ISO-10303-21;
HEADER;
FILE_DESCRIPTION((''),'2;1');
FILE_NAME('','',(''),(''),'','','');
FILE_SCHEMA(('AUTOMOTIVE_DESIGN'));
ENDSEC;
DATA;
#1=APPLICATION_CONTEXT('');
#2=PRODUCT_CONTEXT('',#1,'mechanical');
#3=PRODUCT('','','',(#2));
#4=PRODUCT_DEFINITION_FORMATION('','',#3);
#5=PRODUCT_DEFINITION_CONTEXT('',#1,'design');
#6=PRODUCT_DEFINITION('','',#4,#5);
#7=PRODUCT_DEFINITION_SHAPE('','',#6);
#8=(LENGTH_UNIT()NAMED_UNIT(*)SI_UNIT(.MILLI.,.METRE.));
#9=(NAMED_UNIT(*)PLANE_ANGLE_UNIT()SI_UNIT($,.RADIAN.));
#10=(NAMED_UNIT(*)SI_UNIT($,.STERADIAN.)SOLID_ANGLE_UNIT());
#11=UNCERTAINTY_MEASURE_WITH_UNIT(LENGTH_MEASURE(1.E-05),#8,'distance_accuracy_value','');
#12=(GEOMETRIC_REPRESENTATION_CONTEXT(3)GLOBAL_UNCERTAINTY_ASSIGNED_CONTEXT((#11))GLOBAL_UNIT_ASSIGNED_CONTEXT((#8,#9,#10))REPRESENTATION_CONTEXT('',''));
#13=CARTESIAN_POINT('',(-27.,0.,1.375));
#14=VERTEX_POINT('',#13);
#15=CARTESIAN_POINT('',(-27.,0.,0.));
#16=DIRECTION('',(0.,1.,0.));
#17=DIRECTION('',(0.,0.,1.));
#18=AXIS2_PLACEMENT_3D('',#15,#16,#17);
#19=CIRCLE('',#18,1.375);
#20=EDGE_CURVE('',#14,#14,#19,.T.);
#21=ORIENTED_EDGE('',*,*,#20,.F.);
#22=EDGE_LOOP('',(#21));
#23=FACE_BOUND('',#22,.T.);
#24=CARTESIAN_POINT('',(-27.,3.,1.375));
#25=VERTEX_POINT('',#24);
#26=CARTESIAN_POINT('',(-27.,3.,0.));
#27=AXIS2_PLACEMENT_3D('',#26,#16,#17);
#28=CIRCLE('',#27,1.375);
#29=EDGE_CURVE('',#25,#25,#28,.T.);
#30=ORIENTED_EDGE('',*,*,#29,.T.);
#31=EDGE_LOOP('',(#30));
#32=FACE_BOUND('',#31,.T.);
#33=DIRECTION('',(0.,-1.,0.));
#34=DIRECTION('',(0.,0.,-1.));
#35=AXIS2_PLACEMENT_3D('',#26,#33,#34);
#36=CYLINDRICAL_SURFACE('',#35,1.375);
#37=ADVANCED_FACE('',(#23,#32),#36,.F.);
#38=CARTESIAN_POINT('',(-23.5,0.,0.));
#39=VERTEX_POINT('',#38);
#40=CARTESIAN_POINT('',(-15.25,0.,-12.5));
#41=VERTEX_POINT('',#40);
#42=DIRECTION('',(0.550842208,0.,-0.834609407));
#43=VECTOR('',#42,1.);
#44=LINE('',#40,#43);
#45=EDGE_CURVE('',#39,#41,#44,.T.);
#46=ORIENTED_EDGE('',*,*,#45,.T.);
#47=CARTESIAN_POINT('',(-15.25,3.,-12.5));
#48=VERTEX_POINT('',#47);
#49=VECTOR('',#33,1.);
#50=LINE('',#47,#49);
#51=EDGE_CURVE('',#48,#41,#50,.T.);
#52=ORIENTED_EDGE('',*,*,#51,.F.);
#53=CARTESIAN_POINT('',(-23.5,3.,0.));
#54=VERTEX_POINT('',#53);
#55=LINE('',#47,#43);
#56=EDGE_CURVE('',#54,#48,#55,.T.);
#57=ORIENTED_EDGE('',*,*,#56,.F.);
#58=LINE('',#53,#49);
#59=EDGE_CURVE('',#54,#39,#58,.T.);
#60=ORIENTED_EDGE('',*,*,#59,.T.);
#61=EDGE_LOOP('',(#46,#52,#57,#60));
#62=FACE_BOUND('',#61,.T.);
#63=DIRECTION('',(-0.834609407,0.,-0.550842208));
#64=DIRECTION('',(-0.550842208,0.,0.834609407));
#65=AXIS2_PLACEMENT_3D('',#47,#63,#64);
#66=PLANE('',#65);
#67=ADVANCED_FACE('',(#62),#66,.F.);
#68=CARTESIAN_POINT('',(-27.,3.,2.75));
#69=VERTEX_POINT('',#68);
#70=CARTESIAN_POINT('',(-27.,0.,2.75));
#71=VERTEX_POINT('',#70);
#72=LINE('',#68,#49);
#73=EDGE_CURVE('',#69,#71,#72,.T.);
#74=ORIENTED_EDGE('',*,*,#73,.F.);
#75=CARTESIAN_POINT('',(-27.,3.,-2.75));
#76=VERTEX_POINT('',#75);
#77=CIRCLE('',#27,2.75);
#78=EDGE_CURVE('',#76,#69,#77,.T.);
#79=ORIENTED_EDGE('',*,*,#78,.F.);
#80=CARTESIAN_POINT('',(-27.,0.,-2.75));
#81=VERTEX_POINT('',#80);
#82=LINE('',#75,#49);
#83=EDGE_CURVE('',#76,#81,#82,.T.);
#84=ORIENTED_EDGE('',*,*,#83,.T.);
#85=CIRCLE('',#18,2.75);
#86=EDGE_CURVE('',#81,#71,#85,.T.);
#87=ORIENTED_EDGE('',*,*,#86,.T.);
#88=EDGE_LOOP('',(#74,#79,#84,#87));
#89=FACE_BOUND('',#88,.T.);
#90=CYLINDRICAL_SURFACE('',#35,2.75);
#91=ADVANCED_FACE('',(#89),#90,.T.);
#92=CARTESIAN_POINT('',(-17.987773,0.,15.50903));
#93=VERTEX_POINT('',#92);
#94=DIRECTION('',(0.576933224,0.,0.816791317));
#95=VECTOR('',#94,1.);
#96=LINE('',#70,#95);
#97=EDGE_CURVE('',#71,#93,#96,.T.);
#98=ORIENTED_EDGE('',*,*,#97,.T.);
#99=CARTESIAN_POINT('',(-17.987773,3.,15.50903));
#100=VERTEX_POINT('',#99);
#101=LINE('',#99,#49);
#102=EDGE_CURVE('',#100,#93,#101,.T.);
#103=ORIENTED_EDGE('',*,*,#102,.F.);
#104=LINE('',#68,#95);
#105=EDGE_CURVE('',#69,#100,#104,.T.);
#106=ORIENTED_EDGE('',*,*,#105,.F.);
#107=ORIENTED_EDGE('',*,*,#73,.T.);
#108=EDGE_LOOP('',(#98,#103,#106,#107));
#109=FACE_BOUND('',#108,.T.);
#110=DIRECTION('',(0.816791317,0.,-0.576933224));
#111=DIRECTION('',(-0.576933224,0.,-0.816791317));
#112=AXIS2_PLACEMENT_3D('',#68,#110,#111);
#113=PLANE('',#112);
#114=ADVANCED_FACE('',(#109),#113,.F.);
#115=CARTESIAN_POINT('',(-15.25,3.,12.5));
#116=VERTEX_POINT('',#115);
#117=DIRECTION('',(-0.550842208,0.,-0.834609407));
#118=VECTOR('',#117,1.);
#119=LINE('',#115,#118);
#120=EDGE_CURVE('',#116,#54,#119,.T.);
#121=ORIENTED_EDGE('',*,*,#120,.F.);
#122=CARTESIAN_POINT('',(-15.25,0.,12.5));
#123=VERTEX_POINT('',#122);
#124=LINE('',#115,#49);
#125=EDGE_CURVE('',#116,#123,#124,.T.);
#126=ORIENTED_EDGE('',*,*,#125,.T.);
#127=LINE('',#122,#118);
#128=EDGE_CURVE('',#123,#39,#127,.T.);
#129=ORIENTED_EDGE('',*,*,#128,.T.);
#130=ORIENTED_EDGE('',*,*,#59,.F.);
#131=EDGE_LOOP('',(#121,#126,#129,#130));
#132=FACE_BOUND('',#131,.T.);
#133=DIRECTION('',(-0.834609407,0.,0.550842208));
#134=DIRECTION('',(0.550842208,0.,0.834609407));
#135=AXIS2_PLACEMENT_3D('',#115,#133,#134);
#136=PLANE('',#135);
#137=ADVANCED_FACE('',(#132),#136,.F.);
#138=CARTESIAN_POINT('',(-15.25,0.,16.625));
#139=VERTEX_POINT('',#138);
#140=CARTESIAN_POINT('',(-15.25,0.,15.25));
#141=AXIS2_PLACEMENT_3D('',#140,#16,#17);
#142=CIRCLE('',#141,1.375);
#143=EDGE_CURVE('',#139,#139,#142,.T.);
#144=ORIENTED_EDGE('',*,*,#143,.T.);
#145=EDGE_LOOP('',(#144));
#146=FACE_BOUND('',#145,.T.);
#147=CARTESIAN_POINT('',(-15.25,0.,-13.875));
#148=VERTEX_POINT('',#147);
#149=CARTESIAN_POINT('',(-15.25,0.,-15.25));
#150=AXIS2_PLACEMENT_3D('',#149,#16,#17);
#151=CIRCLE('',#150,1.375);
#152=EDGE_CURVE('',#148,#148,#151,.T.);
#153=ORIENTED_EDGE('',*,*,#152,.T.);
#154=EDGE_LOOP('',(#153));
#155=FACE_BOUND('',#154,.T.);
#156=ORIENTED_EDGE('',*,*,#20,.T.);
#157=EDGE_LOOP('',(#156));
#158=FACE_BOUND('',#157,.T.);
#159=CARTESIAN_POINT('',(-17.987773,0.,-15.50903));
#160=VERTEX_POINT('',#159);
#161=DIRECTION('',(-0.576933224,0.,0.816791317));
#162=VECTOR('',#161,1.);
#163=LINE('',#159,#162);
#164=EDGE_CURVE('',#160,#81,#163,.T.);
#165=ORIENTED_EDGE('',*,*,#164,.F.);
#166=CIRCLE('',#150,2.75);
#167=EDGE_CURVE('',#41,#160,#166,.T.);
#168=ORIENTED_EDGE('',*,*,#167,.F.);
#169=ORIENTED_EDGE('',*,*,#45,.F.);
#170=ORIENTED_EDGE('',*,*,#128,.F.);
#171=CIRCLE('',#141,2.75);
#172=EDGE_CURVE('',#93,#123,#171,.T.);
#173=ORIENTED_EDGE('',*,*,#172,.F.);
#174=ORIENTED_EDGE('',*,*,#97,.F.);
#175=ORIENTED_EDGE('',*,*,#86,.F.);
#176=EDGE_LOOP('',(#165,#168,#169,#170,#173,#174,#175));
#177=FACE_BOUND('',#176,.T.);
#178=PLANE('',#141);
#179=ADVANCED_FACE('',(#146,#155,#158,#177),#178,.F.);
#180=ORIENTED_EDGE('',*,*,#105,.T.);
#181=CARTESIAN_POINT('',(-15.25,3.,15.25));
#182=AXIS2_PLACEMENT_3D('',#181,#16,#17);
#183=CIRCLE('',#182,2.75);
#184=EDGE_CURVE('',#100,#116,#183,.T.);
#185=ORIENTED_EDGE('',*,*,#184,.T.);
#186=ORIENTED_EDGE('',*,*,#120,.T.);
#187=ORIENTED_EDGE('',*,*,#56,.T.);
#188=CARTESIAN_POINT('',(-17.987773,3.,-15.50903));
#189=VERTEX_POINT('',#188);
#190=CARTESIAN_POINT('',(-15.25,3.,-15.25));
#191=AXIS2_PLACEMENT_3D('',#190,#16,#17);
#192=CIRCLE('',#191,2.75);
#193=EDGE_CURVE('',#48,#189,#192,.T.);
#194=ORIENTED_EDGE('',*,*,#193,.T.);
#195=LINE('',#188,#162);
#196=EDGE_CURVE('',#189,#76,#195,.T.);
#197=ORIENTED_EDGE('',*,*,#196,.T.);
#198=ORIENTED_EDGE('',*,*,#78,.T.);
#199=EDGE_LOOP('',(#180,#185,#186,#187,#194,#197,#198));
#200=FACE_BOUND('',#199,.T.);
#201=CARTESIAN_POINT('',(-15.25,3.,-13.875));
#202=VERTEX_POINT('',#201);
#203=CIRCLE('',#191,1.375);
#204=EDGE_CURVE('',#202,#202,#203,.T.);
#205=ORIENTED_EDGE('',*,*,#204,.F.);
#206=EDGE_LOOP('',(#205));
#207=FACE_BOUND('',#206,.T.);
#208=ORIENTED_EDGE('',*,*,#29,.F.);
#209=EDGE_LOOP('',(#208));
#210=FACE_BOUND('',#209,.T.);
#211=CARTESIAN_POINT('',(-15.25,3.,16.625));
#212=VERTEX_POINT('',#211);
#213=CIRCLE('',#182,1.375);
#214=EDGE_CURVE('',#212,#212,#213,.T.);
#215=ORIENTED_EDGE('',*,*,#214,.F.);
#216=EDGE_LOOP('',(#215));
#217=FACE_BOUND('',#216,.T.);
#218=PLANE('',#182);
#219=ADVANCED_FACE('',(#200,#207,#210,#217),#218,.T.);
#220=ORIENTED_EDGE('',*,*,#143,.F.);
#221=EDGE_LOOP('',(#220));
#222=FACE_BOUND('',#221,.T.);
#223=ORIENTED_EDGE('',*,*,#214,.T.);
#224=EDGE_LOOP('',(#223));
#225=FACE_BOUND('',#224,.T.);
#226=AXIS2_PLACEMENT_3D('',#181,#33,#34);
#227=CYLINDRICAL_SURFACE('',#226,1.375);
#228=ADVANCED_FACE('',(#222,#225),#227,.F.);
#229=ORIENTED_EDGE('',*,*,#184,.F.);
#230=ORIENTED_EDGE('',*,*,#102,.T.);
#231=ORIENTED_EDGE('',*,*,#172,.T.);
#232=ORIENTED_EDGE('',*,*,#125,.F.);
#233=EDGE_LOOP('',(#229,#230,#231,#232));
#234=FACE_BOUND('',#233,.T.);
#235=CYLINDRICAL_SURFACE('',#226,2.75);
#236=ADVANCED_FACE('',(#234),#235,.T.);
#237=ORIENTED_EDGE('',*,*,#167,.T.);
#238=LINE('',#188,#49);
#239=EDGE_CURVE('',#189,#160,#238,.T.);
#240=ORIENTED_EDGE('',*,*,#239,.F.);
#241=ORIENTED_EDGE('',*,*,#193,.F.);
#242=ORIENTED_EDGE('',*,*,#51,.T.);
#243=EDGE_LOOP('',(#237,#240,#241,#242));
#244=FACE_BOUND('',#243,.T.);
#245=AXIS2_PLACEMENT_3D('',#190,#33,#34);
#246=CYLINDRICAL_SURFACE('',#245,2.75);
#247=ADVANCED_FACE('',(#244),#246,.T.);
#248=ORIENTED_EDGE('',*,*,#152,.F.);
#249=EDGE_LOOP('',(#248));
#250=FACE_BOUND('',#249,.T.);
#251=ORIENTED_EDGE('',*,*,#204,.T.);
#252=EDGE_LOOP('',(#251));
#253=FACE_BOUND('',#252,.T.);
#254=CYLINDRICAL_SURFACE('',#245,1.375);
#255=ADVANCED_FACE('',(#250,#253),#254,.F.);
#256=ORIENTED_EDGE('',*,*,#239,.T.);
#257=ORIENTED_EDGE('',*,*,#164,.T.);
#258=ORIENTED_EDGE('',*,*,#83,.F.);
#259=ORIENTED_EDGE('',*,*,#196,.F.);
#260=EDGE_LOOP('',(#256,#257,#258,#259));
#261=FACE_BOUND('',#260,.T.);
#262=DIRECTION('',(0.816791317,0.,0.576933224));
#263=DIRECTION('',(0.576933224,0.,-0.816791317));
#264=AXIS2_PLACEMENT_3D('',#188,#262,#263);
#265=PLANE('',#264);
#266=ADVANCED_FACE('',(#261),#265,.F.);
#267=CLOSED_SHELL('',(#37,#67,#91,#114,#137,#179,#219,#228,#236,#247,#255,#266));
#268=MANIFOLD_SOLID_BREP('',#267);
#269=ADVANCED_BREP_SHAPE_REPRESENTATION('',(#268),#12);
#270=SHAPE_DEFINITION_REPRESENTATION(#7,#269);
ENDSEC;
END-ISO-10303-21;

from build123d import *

# Parameters (mm, degrees)
SKETCH2_R           = 1.375
BOSS_EXTRUDE1_DEPTH = 3


with BuildPart() as part:
    # Sketch2 → Boss-Extrude1 (new body)
    with BuildSketch(Plane(origin=(0, 0, 0), x_dir=(1, 0, 0), z_dir=(0, 1, 0))):
        with BuildLine():
            Line((-27, -2.75), (-17.987773433, -15.509030166))
            ThreePointArc((-17.987773433, -15.509030166), (-13.21593597, -17.100698117), (-15.25, -12.5))
            Line((-15.25, -12.5), (-23.5, 0))
            Line((-23.5, 0), (-15.25, 12.5))
            ThreePointArc((-15.25, 12.5), (-13.21593597, 17.100698117), (-17.987773433, 15.509030166))
            Line((-17.987773433, 15.509030166), (-27, 2.75))
            ThreePointArc((-27, 2.75), (-29.75, 0), (-27, -2.75))
        make_face()
        with Locations(Location((-27, 0, 0), (0, 0, 270))):
            Circle(SKETCH2_R, mode=Mode.SUBTRACT)
        with Locations(Location((-15.25, 15.25, 0), (0, 0, 270))):
            Circle(SKETCH2_R, mode=Mode.SUBTRACT)
        with Locations(Location((-15.25, -15.25, 0), (0, 0, 270))):
            Circle(SKETCH2_R, mode=Mode.SUBTRACT)
    extrude(amount=BOSS_EXTRUDE1_DEPTH)


solid = part.part
